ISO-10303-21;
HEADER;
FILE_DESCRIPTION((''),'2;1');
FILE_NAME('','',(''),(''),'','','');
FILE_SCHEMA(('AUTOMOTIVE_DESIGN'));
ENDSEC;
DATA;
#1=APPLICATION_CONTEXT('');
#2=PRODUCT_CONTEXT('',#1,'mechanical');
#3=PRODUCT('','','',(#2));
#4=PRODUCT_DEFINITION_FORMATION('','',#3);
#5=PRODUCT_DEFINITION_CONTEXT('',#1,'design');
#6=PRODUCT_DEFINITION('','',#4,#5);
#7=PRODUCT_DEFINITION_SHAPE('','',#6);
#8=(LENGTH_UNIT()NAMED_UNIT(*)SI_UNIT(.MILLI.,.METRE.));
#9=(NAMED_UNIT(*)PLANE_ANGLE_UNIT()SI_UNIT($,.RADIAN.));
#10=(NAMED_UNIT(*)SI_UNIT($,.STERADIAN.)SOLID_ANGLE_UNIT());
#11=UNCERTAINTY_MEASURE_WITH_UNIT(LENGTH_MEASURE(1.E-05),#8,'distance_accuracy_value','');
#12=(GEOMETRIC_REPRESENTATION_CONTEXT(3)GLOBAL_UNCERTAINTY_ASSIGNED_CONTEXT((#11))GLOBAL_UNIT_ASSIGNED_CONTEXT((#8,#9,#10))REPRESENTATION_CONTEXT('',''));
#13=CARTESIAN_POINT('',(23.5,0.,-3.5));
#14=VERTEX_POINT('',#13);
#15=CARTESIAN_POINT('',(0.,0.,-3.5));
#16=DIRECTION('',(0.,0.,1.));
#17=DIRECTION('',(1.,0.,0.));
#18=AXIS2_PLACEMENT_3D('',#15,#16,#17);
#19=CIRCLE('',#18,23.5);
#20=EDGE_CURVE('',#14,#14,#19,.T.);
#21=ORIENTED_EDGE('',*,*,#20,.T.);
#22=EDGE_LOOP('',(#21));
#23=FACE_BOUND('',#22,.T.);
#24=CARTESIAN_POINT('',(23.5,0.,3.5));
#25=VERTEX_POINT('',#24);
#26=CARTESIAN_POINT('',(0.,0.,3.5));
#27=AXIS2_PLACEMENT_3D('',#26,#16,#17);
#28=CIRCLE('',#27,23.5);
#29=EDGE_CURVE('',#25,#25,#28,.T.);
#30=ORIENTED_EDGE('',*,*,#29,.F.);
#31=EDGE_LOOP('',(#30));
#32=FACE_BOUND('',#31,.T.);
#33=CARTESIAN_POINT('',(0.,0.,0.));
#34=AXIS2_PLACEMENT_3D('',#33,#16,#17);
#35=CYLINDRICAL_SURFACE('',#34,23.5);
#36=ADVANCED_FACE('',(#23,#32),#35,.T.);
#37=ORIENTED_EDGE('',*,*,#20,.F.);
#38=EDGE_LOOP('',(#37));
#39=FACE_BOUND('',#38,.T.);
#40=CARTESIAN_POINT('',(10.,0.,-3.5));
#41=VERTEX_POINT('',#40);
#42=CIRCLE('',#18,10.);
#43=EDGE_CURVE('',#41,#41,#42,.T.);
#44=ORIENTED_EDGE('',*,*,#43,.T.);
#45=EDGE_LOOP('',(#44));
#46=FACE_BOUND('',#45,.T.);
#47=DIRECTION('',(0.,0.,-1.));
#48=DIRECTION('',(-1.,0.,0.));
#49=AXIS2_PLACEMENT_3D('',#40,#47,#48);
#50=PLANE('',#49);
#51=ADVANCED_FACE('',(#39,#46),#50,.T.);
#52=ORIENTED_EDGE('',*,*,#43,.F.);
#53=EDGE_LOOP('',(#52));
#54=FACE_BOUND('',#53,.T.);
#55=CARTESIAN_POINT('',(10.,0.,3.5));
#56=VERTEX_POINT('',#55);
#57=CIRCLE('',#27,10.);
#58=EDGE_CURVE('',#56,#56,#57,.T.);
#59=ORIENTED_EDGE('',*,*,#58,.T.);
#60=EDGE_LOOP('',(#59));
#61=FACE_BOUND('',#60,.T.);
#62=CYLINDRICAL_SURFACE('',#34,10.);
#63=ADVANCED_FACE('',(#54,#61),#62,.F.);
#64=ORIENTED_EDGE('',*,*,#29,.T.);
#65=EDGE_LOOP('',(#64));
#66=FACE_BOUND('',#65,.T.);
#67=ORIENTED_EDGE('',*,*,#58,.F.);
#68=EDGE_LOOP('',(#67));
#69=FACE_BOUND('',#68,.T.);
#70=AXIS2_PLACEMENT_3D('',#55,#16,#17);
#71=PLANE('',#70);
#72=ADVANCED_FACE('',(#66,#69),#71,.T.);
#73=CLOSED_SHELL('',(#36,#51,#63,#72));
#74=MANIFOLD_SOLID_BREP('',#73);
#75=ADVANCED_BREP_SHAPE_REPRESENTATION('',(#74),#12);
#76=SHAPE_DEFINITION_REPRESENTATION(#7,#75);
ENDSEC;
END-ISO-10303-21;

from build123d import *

# Parameters (mm, degrees)
SKETCH1_W = 13.5
SKETCH1_H = 7


with BuildPart() as part:
    # Sketch1 → Revolve1 (revolve)
    with BuildSketch(Plane(origin=(0, 0, 0), x_dir=(1, 0, 0), z_dir=(0, 1, 0))):
        with Locations((16.75, 0)):
            Rectangle(SKETCH1_W, SKETCH1_H)
    revolve(axis=Axis((0, 0, 0), (0, 0, -1)))


solid = part.part
